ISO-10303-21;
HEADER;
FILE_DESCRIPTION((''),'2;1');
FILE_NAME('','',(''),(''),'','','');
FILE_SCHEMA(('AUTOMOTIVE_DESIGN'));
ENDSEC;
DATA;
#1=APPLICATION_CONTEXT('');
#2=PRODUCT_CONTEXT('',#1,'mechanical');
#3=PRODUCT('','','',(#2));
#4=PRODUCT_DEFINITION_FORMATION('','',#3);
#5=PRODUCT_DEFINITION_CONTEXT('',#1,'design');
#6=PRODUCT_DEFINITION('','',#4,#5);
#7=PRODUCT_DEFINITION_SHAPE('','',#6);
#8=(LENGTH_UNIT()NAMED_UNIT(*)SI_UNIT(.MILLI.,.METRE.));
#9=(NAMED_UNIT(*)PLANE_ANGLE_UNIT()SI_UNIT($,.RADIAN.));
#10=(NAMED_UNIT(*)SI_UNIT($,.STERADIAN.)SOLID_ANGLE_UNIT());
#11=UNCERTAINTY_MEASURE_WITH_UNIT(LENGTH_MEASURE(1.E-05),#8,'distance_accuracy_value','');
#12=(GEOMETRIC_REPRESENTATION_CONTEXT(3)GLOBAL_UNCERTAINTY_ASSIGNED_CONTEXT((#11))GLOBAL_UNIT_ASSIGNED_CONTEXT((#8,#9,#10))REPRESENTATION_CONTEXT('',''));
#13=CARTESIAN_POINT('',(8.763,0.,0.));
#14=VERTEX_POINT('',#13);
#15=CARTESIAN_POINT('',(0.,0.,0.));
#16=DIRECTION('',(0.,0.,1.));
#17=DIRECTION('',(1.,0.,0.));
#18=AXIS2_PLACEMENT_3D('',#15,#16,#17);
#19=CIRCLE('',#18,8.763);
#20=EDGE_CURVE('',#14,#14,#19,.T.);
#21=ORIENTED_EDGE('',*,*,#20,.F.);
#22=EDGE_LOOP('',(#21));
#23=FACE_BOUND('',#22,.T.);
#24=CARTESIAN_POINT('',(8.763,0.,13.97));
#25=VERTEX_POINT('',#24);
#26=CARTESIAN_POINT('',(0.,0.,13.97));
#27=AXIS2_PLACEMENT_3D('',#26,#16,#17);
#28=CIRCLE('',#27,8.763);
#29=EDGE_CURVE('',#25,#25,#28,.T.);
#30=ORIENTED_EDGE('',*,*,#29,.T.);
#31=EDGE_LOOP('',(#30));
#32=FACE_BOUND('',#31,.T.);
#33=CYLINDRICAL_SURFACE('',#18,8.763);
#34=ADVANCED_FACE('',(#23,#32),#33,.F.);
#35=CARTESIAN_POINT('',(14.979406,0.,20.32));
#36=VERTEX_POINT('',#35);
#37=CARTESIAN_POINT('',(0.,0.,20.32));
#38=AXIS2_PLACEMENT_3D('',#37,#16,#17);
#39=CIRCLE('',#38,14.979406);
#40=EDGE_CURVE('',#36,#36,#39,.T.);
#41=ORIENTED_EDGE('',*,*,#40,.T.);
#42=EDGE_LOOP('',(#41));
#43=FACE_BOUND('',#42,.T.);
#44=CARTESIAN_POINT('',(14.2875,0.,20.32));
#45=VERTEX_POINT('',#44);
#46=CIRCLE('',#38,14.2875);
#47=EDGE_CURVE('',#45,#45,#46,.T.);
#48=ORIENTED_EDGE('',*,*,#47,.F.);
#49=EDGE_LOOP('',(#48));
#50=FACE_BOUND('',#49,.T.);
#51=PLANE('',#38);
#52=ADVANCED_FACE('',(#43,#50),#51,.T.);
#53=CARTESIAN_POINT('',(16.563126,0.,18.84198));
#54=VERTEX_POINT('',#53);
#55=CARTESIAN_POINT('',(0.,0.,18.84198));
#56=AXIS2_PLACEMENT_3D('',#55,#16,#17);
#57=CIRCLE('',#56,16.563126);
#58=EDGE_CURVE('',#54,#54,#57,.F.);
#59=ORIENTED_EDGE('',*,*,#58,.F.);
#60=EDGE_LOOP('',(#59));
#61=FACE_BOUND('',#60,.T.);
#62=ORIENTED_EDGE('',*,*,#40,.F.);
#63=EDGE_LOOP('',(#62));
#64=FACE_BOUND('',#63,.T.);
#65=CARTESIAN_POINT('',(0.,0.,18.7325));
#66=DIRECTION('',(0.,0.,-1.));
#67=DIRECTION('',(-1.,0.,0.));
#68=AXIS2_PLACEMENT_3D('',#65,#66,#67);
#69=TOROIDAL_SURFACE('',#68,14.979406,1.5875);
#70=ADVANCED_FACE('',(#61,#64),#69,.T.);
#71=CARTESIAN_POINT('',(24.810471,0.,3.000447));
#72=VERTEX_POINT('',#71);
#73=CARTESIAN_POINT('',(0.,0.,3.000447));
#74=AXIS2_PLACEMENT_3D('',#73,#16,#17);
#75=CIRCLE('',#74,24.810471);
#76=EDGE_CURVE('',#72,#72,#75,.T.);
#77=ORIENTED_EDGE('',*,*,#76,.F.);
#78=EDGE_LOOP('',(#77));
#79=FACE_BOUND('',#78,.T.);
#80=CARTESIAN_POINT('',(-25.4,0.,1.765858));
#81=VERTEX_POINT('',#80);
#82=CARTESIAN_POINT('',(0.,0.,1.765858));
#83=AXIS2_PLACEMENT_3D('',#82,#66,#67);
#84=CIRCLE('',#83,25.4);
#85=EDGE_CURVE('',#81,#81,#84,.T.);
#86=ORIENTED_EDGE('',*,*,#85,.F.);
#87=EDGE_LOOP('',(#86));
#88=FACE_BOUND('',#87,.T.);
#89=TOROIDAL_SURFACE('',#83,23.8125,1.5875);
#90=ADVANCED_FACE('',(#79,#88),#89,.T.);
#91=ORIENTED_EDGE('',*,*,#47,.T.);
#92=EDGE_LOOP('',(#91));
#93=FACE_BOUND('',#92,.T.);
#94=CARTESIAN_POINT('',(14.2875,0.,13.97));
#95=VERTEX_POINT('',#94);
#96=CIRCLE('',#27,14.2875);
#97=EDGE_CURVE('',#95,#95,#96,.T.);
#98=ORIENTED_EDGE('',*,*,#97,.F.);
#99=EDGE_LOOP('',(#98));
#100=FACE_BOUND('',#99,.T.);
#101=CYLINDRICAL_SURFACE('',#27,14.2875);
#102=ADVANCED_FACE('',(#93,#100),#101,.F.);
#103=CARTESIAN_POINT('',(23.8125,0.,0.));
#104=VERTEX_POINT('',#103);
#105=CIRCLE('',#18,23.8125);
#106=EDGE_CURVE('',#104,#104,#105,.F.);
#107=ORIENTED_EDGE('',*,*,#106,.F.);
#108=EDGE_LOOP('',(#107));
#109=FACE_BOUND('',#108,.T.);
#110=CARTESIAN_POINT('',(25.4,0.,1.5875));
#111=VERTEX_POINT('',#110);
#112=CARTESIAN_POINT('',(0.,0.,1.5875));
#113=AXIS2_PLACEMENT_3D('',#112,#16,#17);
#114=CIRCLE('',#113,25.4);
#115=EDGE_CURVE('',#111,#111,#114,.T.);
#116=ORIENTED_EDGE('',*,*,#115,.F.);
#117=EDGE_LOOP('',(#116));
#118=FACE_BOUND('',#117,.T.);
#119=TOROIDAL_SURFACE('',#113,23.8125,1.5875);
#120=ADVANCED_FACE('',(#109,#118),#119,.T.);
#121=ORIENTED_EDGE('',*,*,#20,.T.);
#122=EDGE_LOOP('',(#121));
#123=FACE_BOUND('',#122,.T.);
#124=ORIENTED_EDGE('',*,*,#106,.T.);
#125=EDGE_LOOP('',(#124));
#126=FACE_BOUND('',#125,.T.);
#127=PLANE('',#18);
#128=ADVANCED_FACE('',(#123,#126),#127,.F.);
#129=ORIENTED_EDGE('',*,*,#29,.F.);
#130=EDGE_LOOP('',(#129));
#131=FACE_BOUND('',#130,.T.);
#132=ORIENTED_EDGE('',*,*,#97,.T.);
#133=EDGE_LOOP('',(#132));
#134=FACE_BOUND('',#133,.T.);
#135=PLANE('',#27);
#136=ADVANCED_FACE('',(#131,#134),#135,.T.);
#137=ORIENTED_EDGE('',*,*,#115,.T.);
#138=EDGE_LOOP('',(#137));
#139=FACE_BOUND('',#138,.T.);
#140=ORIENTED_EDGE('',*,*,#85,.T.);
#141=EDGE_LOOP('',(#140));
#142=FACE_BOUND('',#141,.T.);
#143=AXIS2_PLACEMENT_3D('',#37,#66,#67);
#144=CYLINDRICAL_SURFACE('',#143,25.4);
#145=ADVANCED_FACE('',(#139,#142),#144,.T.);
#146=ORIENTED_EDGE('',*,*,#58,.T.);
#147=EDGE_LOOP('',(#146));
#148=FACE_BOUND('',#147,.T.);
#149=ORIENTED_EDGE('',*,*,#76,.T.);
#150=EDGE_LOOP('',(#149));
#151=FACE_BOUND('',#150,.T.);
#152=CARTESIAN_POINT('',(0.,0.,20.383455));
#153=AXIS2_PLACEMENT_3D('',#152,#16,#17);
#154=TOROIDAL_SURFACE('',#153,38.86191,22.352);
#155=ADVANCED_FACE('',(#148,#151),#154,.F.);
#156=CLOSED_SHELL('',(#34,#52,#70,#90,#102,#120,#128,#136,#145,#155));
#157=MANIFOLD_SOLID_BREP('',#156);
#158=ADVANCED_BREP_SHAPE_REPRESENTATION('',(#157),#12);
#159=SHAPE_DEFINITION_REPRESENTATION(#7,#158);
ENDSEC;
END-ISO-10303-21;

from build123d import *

# Parameters (mm, degrees)
SKETCH1_R           = 25.4
BOSS_EXTRUDE1_DEPTH = 20.32
SKETCH2_R           = 14.2875
CUT_EXTRUDE1_DEPTH  = 6.35
CUT_EXTRUDE2_START  = -17.78
SKETCH3_R           = 25.4
SKETCH3_R_2         = 16.51
CUT_EXTRUDE2_DEPTH  = 17.78
SKETCH6_R           = 8.763
CUT_EXTRUDE3_DEPTH  = 39.5419369
FILLET1_R           = 1.5875


with BuildPart() as part:
    # Sketch1 → Boss-Extrude1 (new body)
    with BuildSketch(Plane.XY):
        Circle(SKETCH1_R)
    extrude(amount=BOSS_EXTRUDE1_DEPTH)

    # Sketch2 → Cut-Extrude1 (cut)
    with BuildSketch(Plane.XY.offset(20.32)):
        Circle(SKETCH2_R)
    extrude(amount=-CUT_EXTRUDE1_DEPTH, mode=Mode.SUBTRACT)

    # Sketch3 → Cut-Extrude2 (cut)
    with BuildSketch(Plane.XY.offset(20.32).offset(CUT_EXTRUDE2_START)):
        Circle(SKETCH3_R)
        Circle(SKETCH3_R_2, mode=Mode.SUBTRACT)
    extrude(amount=CUT_EXTRUDE2_DEPTH, mode=Mode.SUBTRACT)

    # Sketch5 → Revolve1 (revolve)
    with BuildSketch(Plane(origin=(0, 0, 0), x_dir=(1, 0, 0), z_dir=(0, 1, 0)), mode=Mode.PRIVATE) as revolve1_sk:
        with BuildLine():
            Line((-25.4, -2.54), (-16.51, -2.54))
            Line((-16.51, -2.54), (-16.51, -20.32))
            ThreePointArc((-16.51, -20.32), (-18.869673356, -10.387336678), (-25.4, -2.54))
        make_face()
    revolve(revolve1_sk.sketch.rotate(Axis((0, 0, 0), (0, 0, -1)), 180), axis=Axis((0, 0, 0), (0, 0, -1)))

    # Sketch6 → Cut-Extrude3 (cut, through all)
    with BuildSketch(Plane.XY.offset(13.97)):
        Circle(SKETCH6_R)
    extrude(amount=-CUT_EXTRUDE3_DEPTH, mode=Mode.SUBTRACT)

    # Fillet1
    fillet1_edges = [part.edges().sort_by_distance(p)[0] for p in [
        (-25.4, 0, 2.54),
        (-16.51, 0, 20.32),
        (-25.4, 0, 0),
    ]]
    fillet(fillet1_edges, radius=FILLET1_R)


solid = part.part
